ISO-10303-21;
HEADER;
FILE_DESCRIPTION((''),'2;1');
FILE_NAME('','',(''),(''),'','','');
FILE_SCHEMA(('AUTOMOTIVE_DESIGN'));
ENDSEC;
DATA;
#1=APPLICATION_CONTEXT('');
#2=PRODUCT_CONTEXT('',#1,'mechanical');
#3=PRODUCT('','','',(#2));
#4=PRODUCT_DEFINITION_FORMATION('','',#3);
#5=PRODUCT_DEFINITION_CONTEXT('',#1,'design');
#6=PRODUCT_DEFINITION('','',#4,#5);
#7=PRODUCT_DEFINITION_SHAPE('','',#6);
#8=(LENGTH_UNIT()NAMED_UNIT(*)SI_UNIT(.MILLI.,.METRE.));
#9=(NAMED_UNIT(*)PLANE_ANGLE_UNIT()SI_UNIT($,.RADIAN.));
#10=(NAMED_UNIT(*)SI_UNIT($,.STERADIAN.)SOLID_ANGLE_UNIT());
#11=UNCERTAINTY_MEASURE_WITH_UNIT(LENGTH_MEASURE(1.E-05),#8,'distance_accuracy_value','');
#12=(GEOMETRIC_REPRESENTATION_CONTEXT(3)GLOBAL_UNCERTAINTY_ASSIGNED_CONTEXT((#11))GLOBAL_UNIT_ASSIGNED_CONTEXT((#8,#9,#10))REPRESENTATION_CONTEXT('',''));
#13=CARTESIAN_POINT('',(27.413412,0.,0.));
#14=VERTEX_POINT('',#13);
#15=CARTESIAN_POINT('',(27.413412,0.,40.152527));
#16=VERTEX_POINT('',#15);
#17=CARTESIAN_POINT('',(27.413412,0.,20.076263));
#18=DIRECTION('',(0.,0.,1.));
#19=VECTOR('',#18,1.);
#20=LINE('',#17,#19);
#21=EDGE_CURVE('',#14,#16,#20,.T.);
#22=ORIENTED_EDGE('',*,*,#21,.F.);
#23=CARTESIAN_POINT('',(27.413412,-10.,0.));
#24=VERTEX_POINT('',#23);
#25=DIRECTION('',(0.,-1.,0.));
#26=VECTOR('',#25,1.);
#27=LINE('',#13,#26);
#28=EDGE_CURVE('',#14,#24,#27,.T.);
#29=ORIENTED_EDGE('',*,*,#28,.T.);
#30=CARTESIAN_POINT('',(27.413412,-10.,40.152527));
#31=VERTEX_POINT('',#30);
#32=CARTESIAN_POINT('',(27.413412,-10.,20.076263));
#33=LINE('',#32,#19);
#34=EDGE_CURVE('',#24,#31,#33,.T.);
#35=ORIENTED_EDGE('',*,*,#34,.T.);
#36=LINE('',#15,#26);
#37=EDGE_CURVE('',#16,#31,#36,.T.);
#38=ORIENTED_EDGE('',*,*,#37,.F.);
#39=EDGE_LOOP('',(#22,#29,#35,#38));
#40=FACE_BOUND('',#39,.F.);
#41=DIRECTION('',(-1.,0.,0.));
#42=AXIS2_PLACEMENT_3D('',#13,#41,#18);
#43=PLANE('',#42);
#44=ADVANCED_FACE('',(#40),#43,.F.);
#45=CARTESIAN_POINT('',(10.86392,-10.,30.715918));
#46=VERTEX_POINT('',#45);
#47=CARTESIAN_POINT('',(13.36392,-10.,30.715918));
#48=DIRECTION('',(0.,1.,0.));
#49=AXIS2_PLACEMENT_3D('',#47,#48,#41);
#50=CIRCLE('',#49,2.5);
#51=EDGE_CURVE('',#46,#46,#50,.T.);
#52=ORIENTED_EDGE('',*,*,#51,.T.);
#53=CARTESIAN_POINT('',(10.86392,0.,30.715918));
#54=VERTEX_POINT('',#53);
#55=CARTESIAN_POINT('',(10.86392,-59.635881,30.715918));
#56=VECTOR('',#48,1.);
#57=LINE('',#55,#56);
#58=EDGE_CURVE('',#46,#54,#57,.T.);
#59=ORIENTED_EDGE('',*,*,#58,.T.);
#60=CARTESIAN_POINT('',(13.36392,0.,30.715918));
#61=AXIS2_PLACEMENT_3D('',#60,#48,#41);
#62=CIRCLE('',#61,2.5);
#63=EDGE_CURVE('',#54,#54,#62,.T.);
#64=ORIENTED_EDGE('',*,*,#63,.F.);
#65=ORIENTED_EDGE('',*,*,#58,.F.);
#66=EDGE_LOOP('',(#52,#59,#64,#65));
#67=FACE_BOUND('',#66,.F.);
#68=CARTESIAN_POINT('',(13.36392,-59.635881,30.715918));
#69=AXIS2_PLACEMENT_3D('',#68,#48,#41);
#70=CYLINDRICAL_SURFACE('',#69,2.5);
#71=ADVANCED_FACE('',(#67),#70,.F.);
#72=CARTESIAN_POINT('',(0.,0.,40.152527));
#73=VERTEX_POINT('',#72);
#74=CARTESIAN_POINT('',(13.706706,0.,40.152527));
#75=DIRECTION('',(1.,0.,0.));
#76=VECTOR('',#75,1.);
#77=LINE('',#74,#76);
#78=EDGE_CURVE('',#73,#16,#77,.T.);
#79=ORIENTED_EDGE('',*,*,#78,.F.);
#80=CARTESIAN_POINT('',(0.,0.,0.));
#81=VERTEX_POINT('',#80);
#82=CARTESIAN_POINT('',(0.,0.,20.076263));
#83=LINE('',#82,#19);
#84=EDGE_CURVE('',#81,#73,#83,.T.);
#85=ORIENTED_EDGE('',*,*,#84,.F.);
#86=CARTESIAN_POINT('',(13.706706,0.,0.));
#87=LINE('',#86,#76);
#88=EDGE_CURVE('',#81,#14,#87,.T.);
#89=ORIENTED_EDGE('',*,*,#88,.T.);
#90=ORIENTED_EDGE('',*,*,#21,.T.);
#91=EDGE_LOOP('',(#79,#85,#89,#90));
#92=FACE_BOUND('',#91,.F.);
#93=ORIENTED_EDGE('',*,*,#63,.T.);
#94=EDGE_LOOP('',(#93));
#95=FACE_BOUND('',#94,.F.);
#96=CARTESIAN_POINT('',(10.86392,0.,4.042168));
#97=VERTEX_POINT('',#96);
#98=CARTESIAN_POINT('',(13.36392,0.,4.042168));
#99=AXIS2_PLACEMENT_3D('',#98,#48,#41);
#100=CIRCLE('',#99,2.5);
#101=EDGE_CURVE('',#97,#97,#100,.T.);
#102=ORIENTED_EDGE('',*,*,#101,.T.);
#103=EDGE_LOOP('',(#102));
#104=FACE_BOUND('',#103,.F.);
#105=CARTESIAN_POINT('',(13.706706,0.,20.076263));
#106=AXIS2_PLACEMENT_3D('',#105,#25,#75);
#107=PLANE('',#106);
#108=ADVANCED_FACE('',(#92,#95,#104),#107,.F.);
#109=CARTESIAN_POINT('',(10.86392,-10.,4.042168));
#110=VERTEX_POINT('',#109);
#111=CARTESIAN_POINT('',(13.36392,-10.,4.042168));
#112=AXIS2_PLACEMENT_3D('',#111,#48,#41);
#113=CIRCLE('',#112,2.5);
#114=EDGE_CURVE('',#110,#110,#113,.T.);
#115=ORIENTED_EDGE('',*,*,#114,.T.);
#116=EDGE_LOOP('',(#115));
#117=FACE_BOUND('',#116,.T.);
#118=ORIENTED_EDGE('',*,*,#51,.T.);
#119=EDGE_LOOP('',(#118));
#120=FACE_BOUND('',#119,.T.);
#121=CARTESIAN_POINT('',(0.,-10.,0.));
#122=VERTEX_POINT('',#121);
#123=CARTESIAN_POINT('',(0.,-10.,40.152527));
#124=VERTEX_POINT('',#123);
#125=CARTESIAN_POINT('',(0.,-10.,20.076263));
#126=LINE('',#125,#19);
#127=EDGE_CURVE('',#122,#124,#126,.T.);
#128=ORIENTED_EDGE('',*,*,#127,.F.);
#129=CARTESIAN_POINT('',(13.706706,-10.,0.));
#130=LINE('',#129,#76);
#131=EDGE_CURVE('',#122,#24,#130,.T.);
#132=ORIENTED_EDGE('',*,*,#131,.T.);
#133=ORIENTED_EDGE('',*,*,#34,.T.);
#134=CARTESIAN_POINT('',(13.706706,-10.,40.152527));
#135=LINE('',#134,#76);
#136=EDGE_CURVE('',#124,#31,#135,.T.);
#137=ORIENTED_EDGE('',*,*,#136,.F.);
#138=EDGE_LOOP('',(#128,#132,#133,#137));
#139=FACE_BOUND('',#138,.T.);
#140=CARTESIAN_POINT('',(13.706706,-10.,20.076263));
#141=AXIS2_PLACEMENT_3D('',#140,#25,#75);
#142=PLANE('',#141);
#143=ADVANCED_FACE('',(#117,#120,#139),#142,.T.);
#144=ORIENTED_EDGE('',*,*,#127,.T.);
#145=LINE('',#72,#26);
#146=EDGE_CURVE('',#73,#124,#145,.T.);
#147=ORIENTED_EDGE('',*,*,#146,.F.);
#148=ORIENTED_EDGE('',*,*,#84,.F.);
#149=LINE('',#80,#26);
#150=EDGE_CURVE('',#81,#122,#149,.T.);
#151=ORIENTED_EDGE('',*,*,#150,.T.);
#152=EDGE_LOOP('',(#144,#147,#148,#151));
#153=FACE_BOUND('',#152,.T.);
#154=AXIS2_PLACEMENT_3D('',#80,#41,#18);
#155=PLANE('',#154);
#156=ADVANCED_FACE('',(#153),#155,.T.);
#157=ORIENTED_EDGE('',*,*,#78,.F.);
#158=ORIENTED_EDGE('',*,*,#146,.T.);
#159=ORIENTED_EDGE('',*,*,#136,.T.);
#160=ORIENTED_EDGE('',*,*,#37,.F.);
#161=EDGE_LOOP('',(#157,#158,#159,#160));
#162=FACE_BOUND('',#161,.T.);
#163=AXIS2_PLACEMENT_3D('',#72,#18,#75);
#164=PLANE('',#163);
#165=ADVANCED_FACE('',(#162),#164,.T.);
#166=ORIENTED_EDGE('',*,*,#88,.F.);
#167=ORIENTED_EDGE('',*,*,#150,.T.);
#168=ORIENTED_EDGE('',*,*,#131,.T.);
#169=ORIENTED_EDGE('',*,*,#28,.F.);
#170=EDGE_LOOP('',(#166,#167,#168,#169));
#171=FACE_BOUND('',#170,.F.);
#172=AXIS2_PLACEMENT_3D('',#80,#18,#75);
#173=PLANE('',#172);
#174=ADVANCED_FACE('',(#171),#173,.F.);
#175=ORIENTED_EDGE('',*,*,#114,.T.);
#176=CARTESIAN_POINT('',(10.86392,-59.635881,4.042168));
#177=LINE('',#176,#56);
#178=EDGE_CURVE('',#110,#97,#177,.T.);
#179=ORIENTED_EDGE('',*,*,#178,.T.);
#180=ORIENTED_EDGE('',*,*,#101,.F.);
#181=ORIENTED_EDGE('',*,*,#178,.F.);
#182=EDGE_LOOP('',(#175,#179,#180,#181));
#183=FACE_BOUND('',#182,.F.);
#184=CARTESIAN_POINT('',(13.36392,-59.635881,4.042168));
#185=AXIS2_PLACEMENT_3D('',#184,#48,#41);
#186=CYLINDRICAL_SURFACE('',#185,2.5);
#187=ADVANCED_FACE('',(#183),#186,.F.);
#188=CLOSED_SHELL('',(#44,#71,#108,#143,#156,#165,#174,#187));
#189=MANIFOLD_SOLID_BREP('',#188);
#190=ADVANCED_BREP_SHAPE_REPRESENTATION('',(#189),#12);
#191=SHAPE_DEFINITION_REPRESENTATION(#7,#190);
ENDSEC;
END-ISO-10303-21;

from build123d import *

# Parameters (mm, degrees)
F0_W     = 27.413413
F0_H     = 40.152527
F1_DEPTH = 10
F3_D     = 5


with BuildPart() as f1:
    # F0 (on Front) → F1 (new body)
    with BuildSketch(Plane.XZ):
        with Locations((13.706706, 20.076263)):
            Rectangle(F0_W, F0_H)
    extrude(amount=F1_DEPTH)

    # F3 (through all)
    with Locations(Plane.XZ.offset(10)):
        with Locations((13.36392, 4.042168), (13.36392, 30.715918)):
            Hole(F3_D / 2)


solid = f1.part
